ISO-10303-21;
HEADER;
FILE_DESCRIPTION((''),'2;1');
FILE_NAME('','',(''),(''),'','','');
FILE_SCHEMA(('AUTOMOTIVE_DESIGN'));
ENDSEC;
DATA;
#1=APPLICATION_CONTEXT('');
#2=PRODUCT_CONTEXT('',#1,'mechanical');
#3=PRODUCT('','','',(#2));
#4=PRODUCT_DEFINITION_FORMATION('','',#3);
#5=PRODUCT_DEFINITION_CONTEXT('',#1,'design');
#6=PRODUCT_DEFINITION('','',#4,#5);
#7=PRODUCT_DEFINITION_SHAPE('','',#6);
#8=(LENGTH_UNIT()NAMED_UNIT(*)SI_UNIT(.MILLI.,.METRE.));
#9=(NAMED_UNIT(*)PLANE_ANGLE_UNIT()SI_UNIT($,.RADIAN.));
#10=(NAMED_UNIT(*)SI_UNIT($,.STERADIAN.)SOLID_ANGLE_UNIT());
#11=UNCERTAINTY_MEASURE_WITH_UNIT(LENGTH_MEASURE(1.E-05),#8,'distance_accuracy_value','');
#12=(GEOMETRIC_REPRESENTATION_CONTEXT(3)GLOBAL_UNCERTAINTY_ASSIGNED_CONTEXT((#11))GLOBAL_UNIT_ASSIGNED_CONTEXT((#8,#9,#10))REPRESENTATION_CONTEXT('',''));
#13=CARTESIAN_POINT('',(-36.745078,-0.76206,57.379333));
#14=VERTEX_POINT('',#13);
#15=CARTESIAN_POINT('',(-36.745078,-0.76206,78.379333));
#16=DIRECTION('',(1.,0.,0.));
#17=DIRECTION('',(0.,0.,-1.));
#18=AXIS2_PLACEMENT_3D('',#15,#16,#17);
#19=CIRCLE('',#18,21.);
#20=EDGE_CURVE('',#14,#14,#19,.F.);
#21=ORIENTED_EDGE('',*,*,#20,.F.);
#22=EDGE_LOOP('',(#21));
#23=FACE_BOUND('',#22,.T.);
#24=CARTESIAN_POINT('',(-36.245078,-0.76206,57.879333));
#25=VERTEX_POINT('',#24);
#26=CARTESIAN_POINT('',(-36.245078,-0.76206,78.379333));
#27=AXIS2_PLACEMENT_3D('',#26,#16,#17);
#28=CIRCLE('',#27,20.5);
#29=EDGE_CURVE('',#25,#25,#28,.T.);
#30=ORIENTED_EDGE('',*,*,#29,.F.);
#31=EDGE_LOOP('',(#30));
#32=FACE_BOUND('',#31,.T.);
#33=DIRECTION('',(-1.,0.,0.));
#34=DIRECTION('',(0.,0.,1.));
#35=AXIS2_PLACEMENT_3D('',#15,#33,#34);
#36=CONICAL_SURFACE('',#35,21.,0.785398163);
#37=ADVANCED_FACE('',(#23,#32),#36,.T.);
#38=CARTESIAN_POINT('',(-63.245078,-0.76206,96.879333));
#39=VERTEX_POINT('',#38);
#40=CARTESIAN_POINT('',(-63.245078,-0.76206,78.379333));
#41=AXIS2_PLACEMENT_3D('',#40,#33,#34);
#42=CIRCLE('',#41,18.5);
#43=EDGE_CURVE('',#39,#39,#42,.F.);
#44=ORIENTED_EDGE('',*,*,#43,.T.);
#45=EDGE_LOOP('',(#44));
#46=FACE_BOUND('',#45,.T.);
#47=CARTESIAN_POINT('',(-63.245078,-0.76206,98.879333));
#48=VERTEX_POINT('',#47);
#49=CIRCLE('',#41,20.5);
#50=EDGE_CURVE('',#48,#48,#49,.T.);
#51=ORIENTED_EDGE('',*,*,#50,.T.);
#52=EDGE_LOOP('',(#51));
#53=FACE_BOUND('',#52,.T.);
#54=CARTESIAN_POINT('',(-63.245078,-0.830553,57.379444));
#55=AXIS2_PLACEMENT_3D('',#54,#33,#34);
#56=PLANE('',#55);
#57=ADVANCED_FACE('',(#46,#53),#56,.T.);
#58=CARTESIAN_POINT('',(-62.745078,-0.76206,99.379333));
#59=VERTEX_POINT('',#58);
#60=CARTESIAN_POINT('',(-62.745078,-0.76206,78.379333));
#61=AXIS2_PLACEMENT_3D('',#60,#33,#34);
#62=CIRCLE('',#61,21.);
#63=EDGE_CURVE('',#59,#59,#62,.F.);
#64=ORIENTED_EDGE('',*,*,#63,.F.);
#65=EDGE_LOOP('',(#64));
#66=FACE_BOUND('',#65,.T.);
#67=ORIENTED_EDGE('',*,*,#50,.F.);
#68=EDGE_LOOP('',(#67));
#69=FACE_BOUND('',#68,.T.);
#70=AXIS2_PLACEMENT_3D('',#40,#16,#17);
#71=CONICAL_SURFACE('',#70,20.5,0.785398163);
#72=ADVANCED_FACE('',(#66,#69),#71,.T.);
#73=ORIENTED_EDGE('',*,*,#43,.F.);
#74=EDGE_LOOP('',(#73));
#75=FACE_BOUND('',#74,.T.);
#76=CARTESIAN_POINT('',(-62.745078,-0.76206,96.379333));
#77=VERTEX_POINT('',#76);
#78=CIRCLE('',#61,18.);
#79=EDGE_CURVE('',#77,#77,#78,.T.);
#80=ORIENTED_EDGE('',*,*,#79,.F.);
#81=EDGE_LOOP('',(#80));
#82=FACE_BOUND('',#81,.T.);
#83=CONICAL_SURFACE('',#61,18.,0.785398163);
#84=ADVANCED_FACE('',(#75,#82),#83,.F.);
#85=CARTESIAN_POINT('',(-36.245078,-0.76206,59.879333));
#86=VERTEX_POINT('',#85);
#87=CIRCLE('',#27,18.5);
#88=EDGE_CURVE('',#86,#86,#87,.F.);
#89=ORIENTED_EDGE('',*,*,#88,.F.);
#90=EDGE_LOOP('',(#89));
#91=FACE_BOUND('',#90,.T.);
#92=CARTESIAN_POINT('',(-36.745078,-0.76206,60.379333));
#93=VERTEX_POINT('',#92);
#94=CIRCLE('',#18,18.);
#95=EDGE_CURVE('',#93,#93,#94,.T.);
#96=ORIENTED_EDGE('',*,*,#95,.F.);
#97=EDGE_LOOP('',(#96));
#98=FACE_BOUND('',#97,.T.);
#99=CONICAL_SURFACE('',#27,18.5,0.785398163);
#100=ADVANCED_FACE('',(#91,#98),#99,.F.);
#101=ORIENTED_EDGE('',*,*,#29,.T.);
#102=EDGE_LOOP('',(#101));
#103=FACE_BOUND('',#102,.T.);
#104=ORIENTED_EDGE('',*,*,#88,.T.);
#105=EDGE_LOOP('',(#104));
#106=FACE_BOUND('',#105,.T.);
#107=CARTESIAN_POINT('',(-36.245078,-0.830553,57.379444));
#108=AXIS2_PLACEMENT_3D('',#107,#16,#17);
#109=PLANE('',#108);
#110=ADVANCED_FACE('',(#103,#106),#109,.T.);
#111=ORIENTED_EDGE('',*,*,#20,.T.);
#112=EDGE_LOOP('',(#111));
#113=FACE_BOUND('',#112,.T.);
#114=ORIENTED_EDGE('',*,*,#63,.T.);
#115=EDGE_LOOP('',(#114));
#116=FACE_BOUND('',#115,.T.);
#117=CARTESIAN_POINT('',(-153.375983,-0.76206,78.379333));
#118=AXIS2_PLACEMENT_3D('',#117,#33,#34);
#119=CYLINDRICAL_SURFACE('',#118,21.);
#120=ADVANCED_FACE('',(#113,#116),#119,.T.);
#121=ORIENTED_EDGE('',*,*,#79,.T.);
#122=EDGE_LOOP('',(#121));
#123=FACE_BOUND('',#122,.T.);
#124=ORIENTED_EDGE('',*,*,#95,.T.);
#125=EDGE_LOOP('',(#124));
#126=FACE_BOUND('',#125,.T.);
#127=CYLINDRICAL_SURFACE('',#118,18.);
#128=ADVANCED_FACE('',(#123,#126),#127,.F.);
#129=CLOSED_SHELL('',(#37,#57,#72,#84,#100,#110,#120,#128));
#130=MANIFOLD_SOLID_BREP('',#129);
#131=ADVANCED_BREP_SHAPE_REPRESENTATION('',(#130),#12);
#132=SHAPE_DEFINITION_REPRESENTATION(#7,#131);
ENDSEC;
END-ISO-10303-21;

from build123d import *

# Parameters (mm, degrees)
SKETCH_1_W     = 27
SKETCH_1_H     = 3
CHAMFER_1_SIZE = 0.5


with BuildPart() as part:
    # 草图1 → 旋转1 (revolve)
    with BuildSketch(Plane(origin=(-4266.423458032, -24.943356191, -7335.56447096), x_dir=(-1, 0, 0), z_dir=(0, -0.999994681, 0.00326158))):
        with Locations((-4216.678380328, -7394.483238222)):
            Rectangle(SKETCH_1_W, SKETCH_1_H)
    revolve(axis=Axis((-153.375983394, -0.762059862, 78.379332546), (1, 0, 0)))

    # 倒角1
    chamfer_1_edges = [part.edges().sort_by_distance(p)[0] for p in [
        (-63.245077704, -0.693566691, 99.379220848),
        (-36.245077704, -0.693566691, 99.379220848),
        (-36.245077704, -0.70335143, 96.379236805),
        (-63.245077704, -0.70335143, 96.379236805),
    ]]
    chamfer(chamfer_1_edges, length=CHAMFER_1_SIZE)


solid = part.part
